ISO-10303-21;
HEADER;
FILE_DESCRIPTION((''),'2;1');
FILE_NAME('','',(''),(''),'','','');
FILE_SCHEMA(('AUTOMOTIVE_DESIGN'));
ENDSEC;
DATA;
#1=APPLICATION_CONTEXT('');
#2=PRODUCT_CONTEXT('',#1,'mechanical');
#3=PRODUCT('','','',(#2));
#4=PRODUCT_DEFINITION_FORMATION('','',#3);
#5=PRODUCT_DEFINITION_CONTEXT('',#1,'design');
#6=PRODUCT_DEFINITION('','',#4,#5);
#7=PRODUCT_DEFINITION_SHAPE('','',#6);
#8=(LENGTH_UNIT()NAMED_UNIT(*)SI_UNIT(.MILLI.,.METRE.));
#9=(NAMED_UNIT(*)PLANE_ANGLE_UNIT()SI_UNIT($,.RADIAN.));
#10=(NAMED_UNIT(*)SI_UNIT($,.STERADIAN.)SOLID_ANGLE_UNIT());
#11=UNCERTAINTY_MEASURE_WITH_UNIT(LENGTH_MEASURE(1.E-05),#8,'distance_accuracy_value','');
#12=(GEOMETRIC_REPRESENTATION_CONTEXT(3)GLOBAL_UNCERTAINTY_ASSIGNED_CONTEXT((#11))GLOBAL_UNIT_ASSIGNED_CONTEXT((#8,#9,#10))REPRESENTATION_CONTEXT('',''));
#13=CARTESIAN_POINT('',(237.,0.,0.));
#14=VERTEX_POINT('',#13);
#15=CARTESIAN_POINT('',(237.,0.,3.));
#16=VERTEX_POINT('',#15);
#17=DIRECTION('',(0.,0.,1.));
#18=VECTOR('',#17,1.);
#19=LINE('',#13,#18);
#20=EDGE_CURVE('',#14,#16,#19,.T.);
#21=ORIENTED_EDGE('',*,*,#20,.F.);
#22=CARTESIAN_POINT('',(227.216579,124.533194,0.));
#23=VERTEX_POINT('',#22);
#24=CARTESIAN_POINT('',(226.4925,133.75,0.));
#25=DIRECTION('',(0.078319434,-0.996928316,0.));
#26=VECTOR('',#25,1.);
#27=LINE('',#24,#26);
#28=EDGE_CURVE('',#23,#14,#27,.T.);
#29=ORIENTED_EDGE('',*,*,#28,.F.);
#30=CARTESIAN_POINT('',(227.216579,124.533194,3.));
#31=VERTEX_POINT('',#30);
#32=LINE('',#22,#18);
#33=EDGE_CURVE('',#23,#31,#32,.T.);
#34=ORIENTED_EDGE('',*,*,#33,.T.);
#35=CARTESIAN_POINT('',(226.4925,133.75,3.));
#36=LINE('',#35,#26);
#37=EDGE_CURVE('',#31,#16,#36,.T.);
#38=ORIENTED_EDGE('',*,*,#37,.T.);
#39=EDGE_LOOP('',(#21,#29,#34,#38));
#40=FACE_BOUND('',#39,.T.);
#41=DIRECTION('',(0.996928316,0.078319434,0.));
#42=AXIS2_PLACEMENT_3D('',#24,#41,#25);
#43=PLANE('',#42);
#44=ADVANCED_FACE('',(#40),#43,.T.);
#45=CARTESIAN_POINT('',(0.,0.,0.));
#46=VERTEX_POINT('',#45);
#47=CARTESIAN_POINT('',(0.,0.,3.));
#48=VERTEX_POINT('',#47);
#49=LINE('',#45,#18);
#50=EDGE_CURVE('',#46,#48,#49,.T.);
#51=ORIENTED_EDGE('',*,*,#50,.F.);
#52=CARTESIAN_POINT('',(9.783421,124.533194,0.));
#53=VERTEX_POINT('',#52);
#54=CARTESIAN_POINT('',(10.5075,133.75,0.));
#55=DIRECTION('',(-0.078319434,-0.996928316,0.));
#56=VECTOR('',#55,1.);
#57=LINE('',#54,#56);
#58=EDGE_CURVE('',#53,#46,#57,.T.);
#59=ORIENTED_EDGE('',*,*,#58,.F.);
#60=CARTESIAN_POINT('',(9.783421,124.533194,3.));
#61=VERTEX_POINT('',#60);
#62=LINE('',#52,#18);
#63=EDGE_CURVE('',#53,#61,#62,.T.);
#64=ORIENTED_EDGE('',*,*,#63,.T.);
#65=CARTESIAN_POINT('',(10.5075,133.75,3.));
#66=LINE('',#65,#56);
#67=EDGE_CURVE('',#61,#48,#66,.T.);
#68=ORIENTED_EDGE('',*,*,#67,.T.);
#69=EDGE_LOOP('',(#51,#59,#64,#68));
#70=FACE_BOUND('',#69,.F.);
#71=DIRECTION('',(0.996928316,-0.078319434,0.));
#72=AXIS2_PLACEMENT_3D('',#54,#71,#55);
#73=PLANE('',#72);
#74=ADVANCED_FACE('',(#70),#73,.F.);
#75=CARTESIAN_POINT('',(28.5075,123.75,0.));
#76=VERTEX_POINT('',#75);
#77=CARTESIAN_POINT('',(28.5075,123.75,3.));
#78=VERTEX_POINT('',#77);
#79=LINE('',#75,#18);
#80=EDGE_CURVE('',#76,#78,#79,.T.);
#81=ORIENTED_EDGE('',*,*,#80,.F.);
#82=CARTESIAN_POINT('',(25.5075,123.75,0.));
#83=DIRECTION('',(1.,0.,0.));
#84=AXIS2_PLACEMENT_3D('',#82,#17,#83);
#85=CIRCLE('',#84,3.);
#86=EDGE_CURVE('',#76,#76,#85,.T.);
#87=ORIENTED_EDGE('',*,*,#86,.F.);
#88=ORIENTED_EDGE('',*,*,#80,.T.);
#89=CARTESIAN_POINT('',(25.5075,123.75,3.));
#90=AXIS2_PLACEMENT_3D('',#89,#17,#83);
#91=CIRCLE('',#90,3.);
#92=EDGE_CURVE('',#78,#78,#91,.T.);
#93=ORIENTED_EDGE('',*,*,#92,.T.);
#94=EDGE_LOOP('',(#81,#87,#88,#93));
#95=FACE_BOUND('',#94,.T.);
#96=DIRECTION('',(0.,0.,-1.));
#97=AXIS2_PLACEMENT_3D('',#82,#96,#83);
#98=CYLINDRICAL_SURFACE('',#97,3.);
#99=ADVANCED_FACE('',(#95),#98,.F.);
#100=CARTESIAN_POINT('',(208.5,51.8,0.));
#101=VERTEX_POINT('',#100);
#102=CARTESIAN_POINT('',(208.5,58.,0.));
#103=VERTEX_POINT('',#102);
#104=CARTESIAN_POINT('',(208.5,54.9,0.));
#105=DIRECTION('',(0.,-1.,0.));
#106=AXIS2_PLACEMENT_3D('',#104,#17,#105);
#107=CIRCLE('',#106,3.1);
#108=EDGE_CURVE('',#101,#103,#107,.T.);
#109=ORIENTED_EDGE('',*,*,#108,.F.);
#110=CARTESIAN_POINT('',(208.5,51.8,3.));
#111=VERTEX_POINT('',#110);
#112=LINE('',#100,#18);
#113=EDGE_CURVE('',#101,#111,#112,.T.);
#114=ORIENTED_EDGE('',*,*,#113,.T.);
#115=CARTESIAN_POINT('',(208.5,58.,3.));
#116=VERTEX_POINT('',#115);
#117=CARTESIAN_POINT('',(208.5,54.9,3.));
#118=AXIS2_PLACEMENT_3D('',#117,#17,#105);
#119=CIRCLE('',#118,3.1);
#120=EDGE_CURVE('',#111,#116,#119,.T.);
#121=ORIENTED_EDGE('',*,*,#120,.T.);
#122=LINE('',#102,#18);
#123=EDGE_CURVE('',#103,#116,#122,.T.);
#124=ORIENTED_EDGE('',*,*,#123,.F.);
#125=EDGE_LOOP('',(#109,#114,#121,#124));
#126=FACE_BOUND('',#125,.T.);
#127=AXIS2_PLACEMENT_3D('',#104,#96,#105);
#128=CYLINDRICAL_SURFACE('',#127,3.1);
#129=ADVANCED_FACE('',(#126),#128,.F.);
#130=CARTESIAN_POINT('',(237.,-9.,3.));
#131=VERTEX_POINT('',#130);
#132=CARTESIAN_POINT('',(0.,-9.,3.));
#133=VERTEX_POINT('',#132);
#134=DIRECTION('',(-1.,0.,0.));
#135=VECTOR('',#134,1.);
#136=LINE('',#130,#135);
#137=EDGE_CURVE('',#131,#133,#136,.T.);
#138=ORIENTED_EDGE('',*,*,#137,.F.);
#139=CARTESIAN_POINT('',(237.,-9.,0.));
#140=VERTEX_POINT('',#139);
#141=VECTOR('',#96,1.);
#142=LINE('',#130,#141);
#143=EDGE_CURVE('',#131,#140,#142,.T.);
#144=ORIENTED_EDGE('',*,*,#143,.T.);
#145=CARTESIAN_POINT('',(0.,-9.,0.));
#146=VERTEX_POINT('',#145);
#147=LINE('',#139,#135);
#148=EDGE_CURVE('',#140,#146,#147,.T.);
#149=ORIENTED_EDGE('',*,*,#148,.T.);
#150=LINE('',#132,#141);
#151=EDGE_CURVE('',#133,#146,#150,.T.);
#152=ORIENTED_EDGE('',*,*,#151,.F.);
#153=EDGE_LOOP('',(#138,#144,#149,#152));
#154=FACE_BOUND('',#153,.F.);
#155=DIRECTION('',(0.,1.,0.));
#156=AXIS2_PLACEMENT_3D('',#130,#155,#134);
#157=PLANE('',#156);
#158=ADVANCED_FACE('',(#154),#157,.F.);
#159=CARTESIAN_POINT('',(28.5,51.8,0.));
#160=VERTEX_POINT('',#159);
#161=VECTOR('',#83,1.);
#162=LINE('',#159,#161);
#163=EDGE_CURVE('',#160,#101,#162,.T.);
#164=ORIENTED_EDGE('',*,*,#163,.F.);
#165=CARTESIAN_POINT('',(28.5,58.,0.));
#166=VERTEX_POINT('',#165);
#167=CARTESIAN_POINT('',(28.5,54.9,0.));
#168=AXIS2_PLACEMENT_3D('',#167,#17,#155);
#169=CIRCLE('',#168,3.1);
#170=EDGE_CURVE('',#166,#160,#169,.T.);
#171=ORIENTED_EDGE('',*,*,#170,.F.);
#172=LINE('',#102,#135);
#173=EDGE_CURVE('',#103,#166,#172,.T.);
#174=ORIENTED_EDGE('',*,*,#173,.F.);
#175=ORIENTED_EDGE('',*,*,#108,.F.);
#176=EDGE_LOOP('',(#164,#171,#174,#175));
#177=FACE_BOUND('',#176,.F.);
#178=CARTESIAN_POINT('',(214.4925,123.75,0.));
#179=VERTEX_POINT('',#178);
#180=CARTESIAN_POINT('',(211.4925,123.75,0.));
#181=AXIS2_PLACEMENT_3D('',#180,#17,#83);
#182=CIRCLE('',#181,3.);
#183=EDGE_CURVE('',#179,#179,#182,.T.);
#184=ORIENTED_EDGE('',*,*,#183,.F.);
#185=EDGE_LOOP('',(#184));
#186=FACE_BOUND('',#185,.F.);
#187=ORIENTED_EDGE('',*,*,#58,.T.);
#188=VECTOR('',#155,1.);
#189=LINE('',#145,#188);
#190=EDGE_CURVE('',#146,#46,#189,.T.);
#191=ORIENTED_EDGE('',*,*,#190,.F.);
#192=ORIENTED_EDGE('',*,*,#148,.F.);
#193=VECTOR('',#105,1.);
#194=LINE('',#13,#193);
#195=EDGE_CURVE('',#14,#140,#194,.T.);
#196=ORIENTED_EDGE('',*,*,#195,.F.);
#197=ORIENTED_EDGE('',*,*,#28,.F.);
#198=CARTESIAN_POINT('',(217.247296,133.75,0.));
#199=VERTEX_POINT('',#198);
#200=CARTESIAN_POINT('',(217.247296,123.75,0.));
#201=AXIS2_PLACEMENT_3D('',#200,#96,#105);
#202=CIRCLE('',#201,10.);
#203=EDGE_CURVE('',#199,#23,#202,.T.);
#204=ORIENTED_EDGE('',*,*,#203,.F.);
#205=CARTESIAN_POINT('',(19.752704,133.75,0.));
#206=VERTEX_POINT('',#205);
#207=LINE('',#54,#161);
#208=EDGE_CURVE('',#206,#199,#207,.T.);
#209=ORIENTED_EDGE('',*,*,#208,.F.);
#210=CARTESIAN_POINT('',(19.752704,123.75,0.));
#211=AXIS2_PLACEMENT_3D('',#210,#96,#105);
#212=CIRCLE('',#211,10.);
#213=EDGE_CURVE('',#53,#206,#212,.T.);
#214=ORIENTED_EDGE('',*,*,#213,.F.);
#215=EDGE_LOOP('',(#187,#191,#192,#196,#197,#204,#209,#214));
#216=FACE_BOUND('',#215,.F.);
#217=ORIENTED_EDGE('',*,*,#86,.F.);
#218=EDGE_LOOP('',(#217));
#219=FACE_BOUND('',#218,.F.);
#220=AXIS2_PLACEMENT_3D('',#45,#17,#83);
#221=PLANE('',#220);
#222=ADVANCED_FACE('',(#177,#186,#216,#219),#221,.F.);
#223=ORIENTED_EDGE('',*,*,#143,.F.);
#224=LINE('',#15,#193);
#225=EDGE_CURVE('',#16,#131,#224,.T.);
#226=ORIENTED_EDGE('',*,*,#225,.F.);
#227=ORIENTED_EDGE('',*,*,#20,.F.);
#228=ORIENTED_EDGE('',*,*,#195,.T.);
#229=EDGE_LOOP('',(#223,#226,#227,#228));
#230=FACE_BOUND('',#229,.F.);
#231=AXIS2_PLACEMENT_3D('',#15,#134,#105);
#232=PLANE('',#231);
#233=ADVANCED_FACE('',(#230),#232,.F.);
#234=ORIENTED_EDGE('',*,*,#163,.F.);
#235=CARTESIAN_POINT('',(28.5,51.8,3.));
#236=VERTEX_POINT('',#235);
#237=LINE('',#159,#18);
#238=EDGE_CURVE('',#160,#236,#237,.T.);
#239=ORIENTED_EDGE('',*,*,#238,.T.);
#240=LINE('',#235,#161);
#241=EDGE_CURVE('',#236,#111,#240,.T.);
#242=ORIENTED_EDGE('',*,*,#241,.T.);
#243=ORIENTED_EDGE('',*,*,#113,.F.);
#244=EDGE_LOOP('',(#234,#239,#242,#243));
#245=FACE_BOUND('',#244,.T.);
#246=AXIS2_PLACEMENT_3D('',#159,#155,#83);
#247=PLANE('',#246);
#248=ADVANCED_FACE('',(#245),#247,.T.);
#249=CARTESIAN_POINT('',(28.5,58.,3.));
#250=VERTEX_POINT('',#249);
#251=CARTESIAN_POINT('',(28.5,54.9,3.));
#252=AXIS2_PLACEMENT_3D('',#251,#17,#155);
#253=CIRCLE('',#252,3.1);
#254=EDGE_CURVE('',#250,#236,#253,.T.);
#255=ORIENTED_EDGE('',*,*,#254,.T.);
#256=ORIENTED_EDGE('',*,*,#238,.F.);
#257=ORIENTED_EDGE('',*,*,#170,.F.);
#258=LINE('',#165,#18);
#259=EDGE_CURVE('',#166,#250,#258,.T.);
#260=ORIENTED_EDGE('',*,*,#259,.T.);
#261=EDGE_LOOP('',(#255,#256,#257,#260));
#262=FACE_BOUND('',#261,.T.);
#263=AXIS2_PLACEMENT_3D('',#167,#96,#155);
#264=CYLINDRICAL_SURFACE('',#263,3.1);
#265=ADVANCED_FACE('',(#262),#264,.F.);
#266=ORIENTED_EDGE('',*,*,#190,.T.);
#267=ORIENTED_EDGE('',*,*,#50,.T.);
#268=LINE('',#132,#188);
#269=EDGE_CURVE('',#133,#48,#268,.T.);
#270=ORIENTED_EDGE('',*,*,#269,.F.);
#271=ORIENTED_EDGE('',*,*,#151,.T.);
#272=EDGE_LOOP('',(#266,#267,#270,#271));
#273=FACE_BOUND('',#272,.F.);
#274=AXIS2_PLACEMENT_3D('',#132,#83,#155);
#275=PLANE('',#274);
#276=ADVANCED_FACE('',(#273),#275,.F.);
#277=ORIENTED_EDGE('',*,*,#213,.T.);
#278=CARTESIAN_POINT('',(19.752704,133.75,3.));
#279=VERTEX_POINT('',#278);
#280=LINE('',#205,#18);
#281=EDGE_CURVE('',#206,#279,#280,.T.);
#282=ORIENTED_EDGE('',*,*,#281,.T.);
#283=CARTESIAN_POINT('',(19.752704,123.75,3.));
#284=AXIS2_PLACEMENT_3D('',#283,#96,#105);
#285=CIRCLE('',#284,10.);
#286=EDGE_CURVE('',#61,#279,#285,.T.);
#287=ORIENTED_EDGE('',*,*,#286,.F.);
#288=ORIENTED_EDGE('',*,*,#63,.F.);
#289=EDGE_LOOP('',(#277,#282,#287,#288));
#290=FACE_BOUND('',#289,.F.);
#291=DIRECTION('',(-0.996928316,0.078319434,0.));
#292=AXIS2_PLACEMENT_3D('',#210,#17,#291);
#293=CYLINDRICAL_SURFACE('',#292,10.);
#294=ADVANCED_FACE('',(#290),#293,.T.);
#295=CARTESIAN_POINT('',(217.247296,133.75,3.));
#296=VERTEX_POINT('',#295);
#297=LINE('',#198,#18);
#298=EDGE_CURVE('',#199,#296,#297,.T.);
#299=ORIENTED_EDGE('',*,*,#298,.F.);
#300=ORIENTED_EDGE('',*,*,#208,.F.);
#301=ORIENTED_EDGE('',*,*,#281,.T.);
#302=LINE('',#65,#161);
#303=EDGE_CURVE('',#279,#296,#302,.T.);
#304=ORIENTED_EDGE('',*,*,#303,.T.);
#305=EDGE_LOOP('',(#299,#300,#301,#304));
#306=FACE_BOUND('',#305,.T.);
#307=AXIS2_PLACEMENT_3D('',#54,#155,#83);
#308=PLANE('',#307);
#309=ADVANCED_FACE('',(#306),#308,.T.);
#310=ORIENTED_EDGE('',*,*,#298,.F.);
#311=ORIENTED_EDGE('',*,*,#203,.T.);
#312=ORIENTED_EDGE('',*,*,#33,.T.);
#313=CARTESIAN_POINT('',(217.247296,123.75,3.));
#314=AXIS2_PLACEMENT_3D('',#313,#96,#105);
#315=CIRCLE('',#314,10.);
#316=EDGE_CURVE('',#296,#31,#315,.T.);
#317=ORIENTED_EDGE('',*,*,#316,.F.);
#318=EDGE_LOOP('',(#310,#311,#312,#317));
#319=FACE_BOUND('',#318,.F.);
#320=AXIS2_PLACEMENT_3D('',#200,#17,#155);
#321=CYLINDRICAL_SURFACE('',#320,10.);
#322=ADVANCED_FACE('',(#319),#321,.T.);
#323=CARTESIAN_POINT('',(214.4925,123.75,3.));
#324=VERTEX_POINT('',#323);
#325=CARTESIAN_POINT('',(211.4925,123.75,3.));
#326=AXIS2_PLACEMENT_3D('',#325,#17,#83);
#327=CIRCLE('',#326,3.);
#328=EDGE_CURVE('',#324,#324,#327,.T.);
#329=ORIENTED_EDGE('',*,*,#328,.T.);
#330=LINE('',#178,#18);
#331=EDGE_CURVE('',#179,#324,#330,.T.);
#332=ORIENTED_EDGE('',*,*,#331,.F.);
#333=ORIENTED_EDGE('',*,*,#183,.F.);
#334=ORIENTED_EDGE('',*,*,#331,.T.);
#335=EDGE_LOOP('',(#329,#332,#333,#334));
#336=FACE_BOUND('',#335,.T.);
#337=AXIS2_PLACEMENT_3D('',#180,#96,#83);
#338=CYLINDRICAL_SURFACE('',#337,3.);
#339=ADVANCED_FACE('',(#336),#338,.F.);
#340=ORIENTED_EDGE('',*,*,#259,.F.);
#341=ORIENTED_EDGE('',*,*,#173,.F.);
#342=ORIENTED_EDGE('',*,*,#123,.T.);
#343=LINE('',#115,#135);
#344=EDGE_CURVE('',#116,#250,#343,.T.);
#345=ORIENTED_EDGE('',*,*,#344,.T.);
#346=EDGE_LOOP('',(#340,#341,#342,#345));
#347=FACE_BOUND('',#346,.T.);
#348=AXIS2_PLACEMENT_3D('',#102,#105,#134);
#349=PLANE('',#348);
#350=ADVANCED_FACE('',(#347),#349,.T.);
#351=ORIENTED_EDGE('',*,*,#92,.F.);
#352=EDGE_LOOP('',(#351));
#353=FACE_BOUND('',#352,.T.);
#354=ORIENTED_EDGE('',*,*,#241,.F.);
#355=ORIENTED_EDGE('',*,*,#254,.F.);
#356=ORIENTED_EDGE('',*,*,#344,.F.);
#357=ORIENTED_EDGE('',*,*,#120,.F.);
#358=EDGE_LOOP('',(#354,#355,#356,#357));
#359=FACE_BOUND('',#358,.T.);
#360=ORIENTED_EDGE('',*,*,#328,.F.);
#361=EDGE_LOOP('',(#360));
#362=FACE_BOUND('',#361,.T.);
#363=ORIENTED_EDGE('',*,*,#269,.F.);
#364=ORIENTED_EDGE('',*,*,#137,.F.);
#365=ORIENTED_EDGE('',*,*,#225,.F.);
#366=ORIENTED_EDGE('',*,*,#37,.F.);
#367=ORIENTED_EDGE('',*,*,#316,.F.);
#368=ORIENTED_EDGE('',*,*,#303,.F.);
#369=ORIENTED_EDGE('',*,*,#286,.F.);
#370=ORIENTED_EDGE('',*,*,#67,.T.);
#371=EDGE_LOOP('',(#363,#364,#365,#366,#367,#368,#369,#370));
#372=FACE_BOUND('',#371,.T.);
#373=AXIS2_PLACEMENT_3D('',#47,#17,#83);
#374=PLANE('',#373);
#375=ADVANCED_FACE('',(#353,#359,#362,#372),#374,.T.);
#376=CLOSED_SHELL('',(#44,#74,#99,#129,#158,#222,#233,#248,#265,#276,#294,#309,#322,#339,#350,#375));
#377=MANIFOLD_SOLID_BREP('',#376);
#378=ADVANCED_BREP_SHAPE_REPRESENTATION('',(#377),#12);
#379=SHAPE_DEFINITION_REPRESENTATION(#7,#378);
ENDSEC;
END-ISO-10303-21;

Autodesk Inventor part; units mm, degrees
ref_plane "YZ Plane" through (0, 0, 0) normal (1, 0, 0) x (0, 1, 0)
ref_plane "XZ Plane" through (0, 0, 0) normal (0, 1, 0) x (-1, 0, 0)
ref_plane "XY Plane" through (0, 0, 0) normal (0, 0, 1) x (1, 0, 0)
sketch "Sketch1" plane through (0, 0, 0) normal (0, 0, 1) x (1, 0, 0)
  line L0 (0, 0) -> (237, 0)
  line L1 (10.5075, 133.75) -> (226.4925, 133.75)
  line L2 (10.5075, 133.75) -> (0, 0)
  line L3 (226.4925, 133.75) -> (237, 0)
  circle A0 centre (25.5075, 123.75) radius 3
  line L4 (118.5, 191.0895) -> (118.5, 206.5913) construction
  circle A1 centre (211.4925, 123.75) radius 3
  line L5 (28.5, 54.9) -> (208.5, 54.9) construction
  line L6 (28.5, 51.8) -> (208.5, 51.8)
  line L7 (208.5, 58) -> (28.5, 58)
  arc A2 (28.5, 58) -> (28.5, 51.8) centre (28.5, 54.9) ccw
  arc A3 (208.5, 51.8) -> (208.5, 58) centre (208.5, 54.9) ccw
  point P0 (118.5, 133.75)
  point P1 (118.5, 0)
  point P2 (118.5, 198.8404)
  point P3 (118.5, 54.9)
  dimension "d0" = 237
  dimension "d1" = 215.985
  dimension "d2" = 133.75
  dimension "d3" = 6
  dimension "d4" = 10
  dimension "d5" = 15
  dimension "d8" = 6.2
  dimension "d9" = 81.95
  dimension "d10" = 180
extrude "Extrusion1" add sketch "Sketch1" along normal blind 3
sketch "Sketch2" plane through (0, 0, 3) normal (0, 0, 1) x (1, 0, 0)
  line L0 (0, 0) -> (237, 0)
  line L1 (237, 0) -> (237, -9)
  line L2 (237, -9) -> (0, -9)
  line L3 (0, -9) -> (0, 0)
  dimension "depth" = 9
extrude "Extrusion2" add sketch "Sketch2" against normal blind 3
fillet "Fillet1" radius 10 2 edges at (226.4925, 133.75, 1.5) (10.5075, 133.75, 1.5)
sketch "Sketch3" plane through (0, 0, 3) normal (0, 0, 1) x (1, 0, 0)
  line L0 (0, 0) -> (0, -9) projected
  line L1 (0, -9) -> (237, -9) projected
  spline S0 degree 4 poles (208.9384, 106.1179) (205.6345, 87.6966) (186.3734, 52.9377) (139.2784, 16.5104) (82.7331, 6.5959) (51.8588, 6.1179) knots 0 0 0 0 0 0.457223 1 1 1 1 1
  point P0 (199.8798, 81.1179)
  point P1 (180.3986, 56.1179)
  point P2 (147.52, 31.1179)
  point P3 (103.0387, 12.8166)
equation "\"raisedheight\" = 5"
equation "\"geargap\" = 0.2"
properties part number "mountback"
